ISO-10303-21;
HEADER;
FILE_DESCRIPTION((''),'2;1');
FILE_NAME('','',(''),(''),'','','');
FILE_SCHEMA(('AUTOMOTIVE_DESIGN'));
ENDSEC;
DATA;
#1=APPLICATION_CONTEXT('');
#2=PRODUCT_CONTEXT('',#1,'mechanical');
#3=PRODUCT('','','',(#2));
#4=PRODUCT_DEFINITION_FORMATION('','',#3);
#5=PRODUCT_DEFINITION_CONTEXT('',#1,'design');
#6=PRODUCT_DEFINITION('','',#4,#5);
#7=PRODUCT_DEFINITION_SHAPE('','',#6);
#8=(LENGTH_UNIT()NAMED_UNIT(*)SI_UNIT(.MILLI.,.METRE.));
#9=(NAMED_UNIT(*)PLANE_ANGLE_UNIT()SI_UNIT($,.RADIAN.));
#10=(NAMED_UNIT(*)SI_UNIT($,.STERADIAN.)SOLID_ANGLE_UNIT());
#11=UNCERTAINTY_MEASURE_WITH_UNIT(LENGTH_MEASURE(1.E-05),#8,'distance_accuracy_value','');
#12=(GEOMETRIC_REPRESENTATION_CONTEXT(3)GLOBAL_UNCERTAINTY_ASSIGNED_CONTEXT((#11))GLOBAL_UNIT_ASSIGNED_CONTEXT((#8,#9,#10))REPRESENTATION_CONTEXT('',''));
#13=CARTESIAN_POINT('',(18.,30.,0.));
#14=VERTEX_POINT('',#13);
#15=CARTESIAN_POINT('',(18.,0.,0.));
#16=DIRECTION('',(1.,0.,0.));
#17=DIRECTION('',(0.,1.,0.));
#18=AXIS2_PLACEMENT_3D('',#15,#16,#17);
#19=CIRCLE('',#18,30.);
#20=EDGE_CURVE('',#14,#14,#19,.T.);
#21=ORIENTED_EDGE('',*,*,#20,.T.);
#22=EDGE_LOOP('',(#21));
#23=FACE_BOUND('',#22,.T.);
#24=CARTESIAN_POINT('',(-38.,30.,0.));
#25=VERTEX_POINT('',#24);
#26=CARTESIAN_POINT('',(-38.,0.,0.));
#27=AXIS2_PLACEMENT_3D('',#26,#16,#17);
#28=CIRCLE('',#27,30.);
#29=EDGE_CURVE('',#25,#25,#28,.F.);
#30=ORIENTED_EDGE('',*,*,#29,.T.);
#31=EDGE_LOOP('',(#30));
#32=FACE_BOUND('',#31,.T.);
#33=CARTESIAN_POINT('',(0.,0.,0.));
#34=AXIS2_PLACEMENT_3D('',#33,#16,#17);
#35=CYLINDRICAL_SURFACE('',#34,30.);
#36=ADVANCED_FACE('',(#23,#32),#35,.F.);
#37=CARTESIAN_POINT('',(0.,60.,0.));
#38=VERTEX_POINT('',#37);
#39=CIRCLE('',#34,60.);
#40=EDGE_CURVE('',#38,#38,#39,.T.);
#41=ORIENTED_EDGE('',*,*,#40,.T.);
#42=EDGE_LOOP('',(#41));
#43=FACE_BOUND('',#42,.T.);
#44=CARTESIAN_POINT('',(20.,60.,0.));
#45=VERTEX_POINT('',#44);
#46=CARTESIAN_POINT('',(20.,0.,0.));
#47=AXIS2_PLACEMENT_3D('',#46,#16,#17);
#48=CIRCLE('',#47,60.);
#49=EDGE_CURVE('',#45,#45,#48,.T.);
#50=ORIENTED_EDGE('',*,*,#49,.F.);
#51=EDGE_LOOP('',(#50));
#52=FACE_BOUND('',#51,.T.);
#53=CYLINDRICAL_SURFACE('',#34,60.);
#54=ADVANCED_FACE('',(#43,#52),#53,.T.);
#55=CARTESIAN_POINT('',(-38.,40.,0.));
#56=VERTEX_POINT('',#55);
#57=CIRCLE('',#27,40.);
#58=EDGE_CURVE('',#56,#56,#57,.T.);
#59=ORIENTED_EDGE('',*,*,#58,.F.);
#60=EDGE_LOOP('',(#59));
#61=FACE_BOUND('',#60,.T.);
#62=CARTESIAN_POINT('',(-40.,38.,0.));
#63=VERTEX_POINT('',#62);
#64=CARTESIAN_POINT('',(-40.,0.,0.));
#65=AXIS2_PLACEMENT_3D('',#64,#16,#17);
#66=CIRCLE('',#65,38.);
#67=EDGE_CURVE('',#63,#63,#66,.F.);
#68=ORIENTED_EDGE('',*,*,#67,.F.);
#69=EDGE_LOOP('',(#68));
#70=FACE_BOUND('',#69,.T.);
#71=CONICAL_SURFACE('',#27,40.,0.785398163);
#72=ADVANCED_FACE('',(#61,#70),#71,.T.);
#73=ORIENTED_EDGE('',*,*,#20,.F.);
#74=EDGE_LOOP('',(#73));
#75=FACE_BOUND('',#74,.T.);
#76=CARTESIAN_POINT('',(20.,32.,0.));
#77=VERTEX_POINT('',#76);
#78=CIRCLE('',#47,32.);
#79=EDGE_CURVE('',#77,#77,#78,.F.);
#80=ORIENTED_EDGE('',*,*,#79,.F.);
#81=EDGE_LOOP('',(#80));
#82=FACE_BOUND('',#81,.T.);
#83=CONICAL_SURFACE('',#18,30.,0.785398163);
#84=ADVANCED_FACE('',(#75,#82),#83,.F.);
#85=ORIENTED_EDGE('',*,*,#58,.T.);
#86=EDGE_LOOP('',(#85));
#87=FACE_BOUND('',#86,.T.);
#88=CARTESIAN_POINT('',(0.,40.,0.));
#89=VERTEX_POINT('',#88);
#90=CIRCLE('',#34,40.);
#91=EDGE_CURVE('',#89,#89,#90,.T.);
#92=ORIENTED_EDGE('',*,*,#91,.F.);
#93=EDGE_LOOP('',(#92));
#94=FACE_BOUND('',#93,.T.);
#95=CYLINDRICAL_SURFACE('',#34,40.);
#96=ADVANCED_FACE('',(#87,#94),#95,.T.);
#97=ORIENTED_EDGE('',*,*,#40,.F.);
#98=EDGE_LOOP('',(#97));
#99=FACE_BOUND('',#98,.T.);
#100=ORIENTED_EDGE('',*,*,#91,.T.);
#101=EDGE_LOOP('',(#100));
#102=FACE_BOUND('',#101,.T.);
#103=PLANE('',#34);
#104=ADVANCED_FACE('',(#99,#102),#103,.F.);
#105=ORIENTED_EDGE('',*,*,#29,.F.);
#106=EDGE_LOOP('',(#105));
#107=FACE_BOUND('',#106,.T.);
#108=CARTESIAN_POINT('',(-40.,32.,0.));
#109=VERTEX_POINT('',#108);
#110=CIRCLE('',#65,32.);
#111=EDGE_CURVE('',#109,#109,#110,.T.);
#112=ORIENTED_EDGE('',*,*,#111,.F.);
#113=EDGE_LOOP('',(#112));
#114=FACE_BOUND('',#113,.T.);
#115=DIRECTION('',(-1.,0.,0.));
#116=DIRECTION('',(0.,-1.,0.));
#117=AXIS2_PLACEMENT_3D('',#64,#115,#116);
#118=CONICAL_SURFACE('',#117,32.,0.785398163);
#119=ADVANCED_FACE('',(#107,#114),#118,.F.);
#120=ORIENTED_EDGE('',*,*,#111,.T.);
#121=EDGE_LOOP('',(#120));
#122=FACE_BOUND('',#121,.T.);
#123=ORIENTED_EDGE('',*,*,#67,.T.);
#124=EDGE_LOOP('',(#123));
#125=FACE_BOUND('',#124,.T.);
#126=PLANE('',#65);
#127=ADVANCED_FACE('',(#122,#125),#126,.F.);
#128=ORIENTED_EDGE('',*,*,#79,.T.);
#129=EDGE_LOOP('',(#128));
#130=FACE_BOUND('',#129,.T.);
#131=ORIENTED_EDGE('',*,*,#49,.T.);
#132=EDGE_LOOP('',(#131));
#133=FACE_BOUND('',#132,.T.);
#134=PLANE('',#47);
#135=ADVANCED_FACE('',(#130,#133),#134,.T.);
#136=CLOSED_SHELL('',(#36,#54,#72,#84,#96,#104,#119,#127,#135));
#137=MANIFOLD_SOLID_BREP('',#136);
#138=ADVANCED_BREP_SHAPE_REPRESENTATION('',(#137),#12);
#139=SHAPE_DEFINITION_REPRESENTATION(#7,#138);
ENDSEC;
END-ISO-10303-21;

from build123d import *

# Parameters (mm, degrees)
ESQUISSE1_W     = 40
ESQUISSE1_H     = 10
CHANFREIN1_SIZE = 2


with BuildPart() as part:
    # Esquisse1 → Révolution1 (revolve)
    with BuildSketch(Plane.XY):
        with Locations((-20, 35)):
            Rectangle(ESQUISSE1_W, ESQUISSE1_H)
        Polygon((0, 40), (0, 30), (20, 30), (20, 60), (0, 60), align=None)
    revolve(axis=Axis((0, 0, 0), (-1, 0, 0)))

    # Chanfrein1
    chanfrein1_edges = [part.edges().sort_by_distance(p)[0] for p in [
        (-40, -40, 0),
        (20, -30, 0),
        (-40, -30, 0),
    ]]
    chamfer(chanfrein1_edges, length=CHANFREIN1_SIZE)


solid = part.part
